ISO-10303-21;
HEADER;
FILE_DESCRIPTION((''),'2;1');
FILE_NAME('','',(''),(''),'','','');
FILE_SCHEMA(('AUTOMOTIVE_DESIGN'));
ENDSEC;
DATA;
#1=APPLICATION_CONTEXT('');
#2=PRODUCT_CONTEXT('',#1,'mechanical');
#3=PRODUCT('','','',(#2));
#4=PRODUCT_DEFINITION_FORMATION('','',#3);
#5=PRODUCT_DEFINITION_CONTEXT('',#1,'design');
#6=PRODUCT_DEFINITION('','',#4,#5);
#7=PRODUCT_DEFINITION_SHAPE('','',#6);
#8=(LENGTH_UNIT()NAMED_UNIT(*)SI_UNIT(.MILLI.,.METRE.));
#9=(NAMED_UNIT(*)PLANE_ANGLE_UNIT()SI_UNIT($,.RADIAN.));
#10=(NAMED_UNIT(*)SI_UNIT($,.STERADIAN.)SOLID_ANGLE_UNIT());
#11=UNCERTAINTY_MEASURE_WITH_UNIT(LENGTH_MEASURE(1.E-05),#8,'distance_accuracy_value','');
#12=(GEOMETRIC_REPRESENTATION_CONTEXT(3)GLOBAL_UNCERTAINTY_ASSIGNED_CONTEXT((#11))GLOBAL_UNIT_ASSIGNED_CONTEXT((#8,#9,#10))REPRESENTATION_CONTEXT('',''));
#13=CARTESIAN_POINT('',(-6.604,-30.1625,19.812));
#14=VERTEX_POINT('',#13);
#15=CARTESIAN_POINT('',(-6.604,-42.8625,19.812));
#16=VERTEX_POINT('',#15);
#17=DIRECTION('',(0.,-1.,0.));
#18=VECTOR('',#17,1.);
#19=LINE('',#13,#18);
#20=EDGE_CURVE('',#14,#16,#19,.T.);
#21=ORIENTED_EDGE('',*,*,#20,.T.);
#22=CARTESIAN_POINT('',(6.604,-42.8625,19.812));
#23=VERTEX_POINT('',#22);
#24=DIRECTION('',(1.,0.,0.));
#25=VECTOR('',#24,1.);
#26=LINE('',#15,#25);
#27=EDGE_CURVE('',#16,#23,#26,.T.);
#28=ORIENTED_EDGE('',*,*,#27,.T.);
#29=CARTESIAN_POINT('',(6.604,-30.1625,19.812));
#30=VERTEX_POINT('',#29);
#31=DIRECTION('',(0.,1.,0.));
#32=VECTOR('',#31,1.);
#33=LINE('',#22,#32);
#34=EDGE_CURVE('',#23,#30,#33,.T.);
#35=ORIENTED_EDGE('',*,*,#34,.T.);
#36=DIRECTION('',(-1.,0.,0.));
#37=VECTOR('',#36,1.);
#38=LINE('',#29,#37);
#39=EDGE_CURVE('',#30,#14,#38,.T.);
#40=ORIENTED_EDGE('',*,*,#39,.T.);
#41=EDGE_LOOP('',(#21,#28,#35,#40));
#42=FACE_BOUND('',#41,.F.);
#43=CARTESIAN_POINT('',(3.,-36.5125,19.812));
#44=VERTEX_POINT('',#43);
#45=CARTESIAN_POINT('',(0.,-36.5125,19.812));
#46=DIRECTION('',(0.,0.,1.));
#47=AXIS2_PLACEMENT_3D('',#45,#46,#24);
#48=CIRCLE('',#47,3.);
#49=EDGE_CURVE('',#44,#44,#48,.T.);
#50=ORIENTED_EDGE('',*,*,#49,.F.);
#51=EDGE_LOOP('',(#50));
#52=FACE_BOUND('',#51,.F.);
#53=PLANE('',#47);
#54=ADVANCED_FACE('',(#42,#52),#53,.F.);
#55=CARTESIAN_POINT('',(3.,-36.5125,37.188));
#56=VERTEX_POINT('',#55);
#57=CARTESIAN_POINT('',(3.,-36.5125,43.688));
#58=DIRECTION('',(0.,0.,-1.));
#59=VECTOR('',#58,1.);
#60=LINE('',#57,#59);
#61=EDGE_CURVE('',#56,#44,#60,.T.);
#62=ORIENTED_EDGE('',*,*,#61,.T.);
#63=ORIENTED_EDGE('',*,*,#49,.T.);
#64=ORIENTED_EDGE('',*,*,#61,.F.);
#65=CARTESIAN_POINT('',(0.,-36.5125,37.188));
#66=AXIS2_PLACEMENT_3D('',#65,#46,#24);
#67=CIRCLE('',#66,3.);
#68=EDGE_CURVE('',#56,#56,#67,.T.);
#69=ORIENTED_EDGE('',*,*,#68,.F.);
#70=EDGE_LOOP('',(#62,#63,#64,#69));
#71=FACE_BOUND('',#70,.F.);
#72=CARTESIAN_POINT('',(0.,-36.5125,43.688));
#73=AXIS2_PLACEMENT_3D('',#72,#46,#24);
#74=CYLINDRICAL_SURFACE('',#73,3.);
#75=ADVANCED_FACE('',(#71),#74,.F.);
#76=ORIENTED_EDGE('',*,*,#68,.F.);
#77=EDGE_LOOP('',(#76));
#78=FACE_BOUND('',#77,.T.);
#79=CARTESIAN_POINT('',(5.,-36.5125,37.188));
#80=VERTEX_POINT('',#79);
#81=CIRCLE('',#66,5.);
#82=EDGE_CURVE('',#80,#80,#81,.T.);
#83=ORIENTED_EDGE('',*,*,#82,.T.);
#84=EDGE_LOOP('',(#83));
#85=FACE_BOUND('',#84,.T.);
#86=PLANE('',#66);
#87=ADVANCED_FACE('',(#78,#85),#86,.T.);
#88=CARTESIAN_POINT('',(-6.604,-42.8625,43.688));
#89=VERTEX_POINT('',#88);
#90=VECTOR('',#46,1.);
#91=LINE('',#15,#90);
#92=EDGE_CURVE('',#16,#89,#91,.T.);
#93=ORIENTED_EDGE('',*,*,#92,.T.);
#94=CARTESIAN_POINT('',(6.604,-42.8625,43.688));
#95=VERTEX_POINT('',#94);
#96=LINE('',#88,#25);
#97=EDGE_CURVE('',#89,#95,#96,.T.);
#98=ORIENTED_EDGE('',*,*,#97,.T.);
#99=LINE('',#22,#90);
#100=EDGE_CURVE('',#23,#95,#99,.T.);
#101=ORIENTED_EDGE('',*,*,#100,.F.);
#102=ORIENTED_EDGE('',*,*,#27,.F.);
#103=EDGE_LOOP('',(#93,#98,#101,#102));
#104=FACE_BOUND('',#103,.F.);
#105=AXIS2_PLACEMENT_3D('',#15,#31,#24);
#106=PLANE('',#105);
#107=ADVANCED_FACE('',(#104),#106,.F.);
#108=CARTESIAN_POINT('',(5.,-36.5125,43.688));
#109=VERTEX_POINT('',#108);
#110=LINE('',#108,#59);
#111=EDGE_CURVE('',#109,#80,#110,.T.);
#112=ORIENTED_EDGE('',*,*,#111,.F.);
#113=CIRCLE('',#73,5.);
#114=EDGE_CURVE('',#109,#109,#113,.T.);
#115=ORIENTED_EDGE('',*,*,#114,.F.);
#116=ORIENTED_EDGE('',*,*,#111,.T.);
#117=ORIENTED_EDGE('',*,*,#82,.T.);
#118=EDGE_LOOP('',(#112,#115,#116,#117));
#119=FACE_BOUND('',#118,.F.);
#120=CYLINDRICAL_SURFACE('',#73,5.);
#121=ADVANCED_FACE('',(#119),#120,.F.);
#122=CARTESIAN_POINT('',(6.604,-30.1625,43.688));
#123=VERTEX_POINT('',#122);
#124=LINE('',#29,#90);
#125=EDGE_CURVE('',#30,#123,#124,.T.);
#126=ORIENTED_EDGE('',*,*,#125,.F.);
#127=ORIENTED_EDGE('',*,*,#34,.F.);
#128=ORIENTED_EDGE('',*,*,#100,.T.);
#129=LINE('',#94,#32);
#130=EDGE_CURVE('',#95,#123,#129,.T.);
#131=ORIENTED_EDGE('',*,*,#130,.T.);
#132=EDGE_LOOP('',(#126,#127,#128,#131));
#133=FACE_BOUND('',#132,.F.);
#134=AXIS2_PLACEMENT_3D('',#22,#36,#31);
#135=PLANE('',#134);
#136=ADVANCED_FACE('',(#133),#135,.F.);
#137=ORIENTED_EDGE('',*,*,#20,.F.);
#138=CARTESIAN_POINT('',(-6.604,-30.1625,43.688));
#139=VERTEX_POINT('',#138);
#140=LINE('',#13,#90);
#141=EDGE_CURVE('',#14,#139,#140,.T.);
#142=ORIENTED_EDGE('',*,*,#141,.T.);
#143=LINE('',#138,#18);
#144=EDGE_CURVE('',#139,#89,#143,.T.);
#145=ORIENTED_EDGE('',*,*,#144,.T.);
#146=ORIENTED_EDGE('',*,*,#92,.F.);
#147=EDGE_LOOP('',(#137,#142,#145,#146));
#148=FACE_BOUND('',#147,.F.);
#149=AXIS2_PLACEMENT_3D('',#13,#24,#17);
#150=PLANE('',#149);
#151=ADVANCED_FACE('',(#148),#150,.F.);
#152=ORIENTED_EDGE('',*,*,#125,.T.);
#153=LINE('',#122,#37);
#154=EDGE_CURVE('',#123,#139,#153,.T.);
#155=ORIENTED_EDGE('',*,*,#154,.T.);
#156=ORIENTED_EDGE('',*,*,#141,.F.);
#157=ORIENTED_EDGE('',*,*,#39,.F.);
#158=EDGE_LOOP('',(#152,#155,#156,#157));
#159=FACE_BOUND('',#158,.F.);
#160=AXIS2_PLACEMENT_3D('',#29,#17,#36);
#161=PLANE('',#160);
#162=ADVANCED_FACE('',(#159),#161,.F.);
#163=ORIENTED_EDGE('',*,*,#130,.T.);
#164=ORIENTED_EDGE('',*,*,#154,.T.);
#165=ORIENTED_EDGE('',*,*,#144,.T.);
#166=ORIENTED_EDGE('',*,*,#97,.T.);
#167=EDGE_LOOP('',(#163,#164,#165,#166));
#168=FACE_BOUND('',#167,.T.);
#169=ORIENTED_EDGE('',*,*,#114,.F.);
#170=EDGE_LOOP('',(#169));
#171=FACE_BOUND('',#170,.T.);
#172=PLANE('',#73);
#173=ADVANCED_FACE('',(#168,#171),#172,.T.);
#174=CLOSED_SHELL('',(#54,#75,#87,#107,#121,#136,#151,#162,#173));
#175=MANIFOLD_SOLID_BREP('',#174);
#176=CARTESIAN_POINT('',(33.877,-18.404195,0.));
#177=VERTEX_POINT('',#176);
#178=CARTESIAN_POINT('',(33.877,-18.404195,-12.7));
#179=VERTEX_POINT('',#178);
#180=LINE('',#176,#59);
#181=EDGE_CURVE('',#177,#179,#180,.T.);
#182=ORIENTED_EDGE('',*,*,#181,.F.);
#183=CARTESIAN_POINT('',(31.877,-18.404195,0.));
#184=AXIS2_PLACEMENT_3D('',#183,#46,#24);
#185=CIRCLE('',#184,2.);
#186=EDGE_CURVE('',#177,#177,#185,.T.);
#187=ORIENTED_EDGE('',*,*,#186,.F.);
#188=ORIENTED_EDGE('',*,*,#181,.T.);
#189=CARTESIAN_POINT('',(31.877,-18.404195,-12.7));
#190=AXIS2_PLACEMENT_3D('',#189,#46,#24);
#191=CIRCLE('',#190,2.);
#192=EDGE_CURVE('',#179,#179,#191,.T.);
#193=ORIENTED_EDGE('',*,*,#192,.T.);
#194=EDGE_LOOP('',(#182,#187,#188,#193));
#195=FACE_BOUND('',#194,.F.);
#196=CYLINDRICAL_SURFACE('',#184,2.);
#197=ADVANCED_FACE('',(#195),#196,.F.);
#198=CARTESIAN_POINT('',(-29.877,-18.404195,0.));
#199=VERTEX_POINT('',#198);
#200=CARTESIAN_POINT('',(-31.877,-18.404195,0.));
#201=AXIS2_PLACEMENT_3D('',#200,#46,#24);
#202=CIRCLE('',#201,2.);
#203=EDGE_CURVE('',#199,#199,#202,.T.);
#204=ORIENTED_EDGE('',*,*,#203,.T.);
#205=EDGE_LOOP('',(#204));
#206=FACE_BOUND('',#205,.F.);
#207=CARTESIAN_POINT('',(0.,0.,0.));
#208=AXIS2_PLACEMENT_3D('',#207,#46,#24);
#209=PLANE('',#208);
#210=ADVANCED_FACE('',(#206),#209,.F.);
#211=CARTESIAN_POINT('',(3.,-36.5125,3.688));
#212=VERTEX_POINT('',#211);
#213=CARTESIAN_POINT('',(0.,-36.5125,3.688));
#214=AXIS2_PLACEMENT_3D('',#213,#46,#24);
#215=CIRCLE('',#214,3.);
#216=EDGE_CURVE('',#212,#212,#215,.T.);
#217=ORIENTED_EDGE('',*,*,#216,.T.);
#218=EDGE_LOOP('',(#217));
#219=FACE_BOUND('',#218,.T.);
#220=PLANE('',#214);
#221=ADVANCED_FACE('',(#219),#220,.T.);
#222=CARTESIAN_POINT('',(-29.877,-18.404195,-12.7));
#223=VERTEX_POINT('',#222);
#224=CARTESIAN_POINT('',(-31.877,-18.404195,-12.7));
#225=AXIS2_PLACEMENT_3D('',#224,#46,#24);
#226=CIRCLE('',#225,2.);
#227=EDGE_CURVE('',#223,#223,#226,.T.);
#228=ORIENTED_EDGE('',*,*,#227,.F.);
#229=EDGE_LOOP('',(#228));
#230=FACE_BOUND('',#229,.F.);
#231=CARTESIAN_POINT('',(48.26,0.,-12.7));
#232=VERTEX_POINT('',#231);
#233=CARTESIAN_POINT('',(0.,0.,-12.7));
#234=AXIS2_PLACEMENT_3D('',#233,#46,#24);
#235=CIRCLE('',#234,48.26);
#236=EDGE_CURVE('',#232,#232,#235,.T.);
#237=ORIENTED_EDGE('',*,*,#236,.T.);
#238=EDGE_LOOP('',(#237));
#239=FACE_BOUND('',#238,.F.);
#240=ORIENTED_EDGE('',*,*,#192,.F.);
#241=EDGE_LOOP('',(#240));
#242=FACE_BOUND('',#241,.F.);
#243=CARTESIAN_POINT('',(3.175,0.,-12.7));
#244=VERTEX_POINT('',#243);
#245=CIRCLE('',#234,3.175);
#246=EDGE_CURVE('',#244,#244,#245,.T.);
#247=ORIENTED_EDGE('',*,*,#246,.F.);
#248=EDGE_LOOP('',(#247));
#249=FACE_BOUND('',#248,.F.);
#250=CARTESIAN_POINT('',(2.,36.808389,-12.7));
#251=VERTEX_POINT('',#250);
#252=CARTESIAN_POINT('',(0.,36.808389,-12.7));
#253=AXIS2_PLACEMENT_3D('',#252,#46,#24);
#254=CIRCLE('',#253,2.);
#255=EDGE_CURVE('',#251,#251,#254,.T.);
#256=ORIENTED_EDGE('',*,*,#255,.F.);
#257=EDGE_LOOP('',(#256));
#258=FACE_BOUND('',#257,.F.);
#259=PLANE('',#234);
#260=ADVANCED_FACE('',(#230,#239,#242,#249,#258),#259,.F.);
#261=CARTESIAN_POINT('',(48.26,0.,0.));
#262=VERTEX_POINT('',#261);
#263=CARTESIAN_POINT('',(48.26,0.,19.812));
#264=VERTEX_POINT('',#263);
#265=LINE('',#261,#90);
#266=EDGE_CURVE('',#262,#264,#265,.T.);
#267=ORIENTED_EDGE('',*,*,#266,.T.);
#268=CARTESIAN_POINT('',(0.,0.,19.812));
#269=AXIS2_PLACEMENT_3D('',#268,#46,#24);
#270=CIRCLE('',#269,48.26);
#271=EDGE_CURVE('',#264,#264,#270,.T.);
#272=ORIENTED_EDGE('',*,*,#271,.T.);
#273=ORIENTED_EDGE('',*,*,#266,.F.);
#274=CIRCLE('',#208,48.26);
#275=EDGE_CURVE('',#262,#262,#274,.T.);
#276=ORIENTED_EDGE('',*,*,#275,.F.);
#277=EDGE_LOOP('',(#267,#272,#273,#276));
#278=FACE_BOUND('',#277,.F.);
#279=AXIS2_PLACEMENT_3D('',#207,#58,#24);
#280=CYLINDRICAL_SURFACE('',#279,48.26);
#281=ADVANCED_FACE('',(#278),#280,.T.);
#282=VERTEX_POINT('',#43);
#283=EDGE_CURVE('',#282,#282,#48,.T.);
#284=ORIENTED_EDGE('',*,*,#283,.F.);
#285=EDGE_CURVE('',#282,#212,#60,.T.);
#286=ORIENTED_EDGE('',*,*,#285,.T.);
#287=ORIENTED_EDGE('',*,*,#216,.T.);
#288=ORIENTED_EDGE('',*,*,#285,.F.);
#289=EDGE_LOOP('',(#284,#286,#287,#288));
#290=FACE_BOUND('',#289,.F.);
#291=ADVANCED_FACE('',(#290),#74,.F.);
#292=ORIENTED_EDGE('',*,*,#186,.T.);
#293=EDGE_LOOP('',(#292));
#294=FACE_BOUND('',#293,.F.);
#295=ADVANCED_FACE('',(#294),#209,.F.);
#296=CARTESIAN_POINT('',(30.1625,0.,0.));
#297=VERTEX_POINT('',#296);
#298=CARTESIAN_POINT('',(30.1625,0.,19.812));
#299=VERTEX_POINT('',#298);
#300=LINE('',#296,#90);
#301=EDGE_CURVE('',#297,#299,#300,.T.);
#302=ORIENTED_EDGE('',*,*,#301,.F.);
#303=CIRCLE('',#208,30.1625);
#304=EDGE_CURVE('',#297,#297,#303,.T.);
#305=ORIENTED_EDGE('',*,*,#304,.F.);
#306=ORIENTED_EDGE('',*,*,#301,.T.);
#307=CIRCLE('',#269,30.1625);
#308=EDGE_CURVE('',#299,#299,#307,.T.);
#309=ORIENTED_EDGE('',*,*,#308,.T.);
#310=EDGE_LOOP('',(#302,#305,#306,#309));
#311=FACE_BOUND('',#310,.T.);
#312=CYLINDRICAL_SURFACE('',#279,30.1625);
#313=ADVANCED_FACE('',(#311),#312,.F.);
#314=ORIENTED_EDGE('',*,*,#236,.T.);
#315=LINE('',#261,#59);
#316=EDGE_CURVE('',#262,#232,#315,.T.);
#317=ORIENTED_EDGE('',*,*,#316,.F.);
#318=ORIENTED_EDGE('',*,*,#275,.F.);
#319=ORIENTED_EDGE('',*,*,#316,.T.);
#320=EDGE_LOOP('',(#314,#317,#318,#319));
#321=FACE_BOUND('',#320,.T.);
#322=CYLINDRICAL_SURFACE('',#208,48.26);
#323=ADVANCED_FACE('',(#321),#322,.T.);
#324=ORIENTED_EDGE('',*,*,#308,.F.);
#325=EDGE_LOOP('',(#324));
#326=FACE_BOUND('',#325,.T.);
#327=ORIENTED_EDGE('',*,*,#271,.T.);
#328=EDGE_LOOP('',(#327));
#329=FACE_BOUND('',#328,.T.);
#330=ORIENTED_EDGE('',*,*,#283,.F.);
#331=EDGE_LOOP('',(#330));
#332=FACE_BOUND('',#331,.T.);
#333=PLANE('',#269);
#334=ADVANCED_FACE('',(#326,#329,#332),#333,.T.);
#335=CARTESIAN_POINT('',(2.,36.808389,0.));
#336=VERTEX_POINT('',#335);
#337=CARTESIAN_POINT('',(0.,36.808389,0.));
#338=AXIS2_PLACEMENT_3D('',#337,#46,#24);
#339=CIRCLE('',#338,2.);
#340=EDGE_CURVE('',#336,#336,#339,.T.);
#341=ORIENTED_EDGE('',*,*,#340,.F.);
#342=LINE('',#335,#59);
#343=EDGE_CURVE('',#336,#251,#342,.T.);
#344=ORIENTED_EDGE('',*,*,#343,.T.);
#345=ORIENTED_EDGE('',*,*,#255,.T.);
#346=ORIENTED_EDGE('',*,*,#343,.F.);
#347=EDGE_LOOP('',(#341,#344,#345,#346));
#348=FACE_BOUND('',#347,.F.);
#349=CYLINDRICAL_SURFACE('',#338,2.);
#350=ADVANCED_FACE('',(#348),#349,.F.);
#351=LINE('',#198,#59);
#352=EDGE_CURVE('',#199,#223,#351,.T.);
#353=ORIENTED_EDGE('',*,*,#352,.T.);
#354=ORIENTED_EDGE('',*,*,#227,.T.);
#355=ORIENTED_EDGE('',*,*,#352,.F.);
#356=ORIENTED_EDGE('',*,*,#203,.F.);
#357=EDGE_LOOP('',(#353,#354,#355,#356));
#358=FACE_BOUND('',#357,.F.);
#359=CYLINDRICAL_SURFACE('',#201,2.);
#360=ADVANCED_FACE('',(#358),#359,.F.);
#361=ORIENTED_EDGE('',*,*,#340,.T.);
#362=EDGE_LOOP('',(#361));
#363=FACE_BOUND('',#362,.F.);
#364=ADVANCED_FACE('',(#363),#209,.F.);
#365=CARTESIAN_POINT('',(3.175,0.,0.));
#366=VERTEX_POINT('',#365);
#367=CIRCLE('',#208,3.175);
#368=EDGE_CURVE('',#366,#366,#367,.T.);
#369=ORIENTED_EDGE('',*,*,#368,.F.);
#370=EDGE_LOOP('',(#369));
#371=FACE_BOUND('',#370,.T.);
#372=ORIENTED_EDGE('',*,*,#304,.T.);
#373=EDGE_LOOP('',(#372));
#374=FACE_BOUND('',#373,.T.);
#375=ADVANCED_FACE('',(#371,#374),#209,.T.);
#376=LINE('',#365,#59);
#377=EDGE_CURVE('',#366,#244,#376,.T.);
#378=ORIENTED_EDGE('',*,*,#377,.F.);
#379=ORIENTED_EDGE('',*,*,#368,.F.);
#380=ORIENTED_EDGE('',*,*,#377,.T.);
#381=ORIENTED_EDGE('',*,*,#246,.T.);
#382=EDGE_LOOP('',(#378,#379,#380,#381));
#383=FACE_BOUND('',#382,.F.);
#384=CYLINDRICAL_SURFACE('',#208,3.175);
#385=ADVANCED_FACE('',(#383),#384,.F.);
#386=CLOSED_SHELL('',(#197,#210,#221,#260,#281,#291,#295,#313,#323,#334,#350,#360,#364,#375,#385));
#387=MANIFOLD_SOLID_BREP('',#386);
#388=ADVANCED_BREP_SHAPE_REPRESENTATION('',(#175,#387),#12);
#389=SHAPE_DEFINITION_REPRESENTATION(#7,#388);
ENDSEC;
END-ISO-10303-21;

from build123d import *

# Parameters (mm, degrees)
F0_R     = 48.26
F0_R_2   = 2
F0_R_3   = 30.1625
F0_R_4   = 3.175
F1_DEPTH = 12.7
F2_DEPTH = 19.812
F4_DEPTH = 23.876
F5_R     = 5
F5_R_2   = 3
F6_DEPTH = 6.5
F7_DEPTH = 40


with BuildPart() as f1:
    # F0 (on Top) → F1 (new body)
    with BuildSketch(Plane.XY):
        Circle(F0_R)
        with Locations((-31.877, -18.404195)):
            Circle(F0_R_2, mode=Mode.SUBTRACT)
        with Locations((31.877, -18.404195)):
            Circle(F0_R_2, mode=Mode.SUBTRACT)
        Circle(F0_R_3, mode=Mode.SUBTRACT)
        with Locations((0, 36.808389)):
            Circle(F0_R_2, mode=Mode.SUBTRACT)
        Circle(F0_R_3)
        Circle(F0_R_4, mode=Mode.SUBTRACT)
    extrude(amount=-F1_DEPTH)

    # F0 (on Top) → F2 (join)
    with BuildSketch(Plane.XY):
        Circle(F0_R)
        with Locations((-31.877, -18.404195)):
            Circle(F0_R_2, mode=Mode.SUBTRACT)
        with Locations((31.877, -18.404195)):
            Circle(F0_R_2, mode=Mode.SUBTRACT)
        Circle(F0_R_3, mode=Mode.SUBTRACT)
        with Locations((0, 36.808389)):
            Circle(F0_R_2, mode=Mode.SUBTRACT)
        with Locations((0, 36.808389)):
            Circle(F0_R_2)
        with Locations((-31.877, -18.404195)):
            Circle(F0_R_2)
        with Locations((31.877, -18.404195)):
            Circle(F0_R_2)
    extrude(amount=F2_DEPTH)


with BuildPart() as f4:
    # F3 (on face) → F4 (new body)
    with BuildSketch(Plane.XY.offset(19.812)):
        Polygon((0, -30.1625), (-6.604, -30.1625), (-6.604, -42.8625), (6.604, -42.8625), (6.604, -30.1625), align=None)
    extrude(amount=F4_DEPTH)

    # F5 (on face) → F6 (cut)
    with BuildSketch(Plane.XY.offset(43.688)):
        with Locations((0, -36.5125)):
            Circle(F5_R)
        with Locations((0, -36.5125)):
            Circle(F5_R_2, mode=Mode.SUBTRACT)
        with Locations((0, -36.5125)):
            Circle(F5_R_2)
    extrude(amount=-F6_DEPTH, mode=Mode.SUBTRACT)


with BuildPart() as f7_tool:
    # F5 (on face) → F7 (new body)
    with BuildSketch(Plane.XY.offset(43.688)):
        with Locations((0, -36.5125)):
            Circle(F5_R_2)
    extrude(amount=-F7_DEPTH)


with BuildPart() as f1_1:
    add(f1.part)

    # F7: cut by f7_tool
    add(f7_tool.part, mode=Mode.SUBTRACT)


with BuildPart() as f4_1:
    add(f4.part)

    # F7: cut by f7_tool
    add(f7_tool.part, mode=Mode.SUBTRACT)


solid = Compound([f1_1.part, f4_1.part])
